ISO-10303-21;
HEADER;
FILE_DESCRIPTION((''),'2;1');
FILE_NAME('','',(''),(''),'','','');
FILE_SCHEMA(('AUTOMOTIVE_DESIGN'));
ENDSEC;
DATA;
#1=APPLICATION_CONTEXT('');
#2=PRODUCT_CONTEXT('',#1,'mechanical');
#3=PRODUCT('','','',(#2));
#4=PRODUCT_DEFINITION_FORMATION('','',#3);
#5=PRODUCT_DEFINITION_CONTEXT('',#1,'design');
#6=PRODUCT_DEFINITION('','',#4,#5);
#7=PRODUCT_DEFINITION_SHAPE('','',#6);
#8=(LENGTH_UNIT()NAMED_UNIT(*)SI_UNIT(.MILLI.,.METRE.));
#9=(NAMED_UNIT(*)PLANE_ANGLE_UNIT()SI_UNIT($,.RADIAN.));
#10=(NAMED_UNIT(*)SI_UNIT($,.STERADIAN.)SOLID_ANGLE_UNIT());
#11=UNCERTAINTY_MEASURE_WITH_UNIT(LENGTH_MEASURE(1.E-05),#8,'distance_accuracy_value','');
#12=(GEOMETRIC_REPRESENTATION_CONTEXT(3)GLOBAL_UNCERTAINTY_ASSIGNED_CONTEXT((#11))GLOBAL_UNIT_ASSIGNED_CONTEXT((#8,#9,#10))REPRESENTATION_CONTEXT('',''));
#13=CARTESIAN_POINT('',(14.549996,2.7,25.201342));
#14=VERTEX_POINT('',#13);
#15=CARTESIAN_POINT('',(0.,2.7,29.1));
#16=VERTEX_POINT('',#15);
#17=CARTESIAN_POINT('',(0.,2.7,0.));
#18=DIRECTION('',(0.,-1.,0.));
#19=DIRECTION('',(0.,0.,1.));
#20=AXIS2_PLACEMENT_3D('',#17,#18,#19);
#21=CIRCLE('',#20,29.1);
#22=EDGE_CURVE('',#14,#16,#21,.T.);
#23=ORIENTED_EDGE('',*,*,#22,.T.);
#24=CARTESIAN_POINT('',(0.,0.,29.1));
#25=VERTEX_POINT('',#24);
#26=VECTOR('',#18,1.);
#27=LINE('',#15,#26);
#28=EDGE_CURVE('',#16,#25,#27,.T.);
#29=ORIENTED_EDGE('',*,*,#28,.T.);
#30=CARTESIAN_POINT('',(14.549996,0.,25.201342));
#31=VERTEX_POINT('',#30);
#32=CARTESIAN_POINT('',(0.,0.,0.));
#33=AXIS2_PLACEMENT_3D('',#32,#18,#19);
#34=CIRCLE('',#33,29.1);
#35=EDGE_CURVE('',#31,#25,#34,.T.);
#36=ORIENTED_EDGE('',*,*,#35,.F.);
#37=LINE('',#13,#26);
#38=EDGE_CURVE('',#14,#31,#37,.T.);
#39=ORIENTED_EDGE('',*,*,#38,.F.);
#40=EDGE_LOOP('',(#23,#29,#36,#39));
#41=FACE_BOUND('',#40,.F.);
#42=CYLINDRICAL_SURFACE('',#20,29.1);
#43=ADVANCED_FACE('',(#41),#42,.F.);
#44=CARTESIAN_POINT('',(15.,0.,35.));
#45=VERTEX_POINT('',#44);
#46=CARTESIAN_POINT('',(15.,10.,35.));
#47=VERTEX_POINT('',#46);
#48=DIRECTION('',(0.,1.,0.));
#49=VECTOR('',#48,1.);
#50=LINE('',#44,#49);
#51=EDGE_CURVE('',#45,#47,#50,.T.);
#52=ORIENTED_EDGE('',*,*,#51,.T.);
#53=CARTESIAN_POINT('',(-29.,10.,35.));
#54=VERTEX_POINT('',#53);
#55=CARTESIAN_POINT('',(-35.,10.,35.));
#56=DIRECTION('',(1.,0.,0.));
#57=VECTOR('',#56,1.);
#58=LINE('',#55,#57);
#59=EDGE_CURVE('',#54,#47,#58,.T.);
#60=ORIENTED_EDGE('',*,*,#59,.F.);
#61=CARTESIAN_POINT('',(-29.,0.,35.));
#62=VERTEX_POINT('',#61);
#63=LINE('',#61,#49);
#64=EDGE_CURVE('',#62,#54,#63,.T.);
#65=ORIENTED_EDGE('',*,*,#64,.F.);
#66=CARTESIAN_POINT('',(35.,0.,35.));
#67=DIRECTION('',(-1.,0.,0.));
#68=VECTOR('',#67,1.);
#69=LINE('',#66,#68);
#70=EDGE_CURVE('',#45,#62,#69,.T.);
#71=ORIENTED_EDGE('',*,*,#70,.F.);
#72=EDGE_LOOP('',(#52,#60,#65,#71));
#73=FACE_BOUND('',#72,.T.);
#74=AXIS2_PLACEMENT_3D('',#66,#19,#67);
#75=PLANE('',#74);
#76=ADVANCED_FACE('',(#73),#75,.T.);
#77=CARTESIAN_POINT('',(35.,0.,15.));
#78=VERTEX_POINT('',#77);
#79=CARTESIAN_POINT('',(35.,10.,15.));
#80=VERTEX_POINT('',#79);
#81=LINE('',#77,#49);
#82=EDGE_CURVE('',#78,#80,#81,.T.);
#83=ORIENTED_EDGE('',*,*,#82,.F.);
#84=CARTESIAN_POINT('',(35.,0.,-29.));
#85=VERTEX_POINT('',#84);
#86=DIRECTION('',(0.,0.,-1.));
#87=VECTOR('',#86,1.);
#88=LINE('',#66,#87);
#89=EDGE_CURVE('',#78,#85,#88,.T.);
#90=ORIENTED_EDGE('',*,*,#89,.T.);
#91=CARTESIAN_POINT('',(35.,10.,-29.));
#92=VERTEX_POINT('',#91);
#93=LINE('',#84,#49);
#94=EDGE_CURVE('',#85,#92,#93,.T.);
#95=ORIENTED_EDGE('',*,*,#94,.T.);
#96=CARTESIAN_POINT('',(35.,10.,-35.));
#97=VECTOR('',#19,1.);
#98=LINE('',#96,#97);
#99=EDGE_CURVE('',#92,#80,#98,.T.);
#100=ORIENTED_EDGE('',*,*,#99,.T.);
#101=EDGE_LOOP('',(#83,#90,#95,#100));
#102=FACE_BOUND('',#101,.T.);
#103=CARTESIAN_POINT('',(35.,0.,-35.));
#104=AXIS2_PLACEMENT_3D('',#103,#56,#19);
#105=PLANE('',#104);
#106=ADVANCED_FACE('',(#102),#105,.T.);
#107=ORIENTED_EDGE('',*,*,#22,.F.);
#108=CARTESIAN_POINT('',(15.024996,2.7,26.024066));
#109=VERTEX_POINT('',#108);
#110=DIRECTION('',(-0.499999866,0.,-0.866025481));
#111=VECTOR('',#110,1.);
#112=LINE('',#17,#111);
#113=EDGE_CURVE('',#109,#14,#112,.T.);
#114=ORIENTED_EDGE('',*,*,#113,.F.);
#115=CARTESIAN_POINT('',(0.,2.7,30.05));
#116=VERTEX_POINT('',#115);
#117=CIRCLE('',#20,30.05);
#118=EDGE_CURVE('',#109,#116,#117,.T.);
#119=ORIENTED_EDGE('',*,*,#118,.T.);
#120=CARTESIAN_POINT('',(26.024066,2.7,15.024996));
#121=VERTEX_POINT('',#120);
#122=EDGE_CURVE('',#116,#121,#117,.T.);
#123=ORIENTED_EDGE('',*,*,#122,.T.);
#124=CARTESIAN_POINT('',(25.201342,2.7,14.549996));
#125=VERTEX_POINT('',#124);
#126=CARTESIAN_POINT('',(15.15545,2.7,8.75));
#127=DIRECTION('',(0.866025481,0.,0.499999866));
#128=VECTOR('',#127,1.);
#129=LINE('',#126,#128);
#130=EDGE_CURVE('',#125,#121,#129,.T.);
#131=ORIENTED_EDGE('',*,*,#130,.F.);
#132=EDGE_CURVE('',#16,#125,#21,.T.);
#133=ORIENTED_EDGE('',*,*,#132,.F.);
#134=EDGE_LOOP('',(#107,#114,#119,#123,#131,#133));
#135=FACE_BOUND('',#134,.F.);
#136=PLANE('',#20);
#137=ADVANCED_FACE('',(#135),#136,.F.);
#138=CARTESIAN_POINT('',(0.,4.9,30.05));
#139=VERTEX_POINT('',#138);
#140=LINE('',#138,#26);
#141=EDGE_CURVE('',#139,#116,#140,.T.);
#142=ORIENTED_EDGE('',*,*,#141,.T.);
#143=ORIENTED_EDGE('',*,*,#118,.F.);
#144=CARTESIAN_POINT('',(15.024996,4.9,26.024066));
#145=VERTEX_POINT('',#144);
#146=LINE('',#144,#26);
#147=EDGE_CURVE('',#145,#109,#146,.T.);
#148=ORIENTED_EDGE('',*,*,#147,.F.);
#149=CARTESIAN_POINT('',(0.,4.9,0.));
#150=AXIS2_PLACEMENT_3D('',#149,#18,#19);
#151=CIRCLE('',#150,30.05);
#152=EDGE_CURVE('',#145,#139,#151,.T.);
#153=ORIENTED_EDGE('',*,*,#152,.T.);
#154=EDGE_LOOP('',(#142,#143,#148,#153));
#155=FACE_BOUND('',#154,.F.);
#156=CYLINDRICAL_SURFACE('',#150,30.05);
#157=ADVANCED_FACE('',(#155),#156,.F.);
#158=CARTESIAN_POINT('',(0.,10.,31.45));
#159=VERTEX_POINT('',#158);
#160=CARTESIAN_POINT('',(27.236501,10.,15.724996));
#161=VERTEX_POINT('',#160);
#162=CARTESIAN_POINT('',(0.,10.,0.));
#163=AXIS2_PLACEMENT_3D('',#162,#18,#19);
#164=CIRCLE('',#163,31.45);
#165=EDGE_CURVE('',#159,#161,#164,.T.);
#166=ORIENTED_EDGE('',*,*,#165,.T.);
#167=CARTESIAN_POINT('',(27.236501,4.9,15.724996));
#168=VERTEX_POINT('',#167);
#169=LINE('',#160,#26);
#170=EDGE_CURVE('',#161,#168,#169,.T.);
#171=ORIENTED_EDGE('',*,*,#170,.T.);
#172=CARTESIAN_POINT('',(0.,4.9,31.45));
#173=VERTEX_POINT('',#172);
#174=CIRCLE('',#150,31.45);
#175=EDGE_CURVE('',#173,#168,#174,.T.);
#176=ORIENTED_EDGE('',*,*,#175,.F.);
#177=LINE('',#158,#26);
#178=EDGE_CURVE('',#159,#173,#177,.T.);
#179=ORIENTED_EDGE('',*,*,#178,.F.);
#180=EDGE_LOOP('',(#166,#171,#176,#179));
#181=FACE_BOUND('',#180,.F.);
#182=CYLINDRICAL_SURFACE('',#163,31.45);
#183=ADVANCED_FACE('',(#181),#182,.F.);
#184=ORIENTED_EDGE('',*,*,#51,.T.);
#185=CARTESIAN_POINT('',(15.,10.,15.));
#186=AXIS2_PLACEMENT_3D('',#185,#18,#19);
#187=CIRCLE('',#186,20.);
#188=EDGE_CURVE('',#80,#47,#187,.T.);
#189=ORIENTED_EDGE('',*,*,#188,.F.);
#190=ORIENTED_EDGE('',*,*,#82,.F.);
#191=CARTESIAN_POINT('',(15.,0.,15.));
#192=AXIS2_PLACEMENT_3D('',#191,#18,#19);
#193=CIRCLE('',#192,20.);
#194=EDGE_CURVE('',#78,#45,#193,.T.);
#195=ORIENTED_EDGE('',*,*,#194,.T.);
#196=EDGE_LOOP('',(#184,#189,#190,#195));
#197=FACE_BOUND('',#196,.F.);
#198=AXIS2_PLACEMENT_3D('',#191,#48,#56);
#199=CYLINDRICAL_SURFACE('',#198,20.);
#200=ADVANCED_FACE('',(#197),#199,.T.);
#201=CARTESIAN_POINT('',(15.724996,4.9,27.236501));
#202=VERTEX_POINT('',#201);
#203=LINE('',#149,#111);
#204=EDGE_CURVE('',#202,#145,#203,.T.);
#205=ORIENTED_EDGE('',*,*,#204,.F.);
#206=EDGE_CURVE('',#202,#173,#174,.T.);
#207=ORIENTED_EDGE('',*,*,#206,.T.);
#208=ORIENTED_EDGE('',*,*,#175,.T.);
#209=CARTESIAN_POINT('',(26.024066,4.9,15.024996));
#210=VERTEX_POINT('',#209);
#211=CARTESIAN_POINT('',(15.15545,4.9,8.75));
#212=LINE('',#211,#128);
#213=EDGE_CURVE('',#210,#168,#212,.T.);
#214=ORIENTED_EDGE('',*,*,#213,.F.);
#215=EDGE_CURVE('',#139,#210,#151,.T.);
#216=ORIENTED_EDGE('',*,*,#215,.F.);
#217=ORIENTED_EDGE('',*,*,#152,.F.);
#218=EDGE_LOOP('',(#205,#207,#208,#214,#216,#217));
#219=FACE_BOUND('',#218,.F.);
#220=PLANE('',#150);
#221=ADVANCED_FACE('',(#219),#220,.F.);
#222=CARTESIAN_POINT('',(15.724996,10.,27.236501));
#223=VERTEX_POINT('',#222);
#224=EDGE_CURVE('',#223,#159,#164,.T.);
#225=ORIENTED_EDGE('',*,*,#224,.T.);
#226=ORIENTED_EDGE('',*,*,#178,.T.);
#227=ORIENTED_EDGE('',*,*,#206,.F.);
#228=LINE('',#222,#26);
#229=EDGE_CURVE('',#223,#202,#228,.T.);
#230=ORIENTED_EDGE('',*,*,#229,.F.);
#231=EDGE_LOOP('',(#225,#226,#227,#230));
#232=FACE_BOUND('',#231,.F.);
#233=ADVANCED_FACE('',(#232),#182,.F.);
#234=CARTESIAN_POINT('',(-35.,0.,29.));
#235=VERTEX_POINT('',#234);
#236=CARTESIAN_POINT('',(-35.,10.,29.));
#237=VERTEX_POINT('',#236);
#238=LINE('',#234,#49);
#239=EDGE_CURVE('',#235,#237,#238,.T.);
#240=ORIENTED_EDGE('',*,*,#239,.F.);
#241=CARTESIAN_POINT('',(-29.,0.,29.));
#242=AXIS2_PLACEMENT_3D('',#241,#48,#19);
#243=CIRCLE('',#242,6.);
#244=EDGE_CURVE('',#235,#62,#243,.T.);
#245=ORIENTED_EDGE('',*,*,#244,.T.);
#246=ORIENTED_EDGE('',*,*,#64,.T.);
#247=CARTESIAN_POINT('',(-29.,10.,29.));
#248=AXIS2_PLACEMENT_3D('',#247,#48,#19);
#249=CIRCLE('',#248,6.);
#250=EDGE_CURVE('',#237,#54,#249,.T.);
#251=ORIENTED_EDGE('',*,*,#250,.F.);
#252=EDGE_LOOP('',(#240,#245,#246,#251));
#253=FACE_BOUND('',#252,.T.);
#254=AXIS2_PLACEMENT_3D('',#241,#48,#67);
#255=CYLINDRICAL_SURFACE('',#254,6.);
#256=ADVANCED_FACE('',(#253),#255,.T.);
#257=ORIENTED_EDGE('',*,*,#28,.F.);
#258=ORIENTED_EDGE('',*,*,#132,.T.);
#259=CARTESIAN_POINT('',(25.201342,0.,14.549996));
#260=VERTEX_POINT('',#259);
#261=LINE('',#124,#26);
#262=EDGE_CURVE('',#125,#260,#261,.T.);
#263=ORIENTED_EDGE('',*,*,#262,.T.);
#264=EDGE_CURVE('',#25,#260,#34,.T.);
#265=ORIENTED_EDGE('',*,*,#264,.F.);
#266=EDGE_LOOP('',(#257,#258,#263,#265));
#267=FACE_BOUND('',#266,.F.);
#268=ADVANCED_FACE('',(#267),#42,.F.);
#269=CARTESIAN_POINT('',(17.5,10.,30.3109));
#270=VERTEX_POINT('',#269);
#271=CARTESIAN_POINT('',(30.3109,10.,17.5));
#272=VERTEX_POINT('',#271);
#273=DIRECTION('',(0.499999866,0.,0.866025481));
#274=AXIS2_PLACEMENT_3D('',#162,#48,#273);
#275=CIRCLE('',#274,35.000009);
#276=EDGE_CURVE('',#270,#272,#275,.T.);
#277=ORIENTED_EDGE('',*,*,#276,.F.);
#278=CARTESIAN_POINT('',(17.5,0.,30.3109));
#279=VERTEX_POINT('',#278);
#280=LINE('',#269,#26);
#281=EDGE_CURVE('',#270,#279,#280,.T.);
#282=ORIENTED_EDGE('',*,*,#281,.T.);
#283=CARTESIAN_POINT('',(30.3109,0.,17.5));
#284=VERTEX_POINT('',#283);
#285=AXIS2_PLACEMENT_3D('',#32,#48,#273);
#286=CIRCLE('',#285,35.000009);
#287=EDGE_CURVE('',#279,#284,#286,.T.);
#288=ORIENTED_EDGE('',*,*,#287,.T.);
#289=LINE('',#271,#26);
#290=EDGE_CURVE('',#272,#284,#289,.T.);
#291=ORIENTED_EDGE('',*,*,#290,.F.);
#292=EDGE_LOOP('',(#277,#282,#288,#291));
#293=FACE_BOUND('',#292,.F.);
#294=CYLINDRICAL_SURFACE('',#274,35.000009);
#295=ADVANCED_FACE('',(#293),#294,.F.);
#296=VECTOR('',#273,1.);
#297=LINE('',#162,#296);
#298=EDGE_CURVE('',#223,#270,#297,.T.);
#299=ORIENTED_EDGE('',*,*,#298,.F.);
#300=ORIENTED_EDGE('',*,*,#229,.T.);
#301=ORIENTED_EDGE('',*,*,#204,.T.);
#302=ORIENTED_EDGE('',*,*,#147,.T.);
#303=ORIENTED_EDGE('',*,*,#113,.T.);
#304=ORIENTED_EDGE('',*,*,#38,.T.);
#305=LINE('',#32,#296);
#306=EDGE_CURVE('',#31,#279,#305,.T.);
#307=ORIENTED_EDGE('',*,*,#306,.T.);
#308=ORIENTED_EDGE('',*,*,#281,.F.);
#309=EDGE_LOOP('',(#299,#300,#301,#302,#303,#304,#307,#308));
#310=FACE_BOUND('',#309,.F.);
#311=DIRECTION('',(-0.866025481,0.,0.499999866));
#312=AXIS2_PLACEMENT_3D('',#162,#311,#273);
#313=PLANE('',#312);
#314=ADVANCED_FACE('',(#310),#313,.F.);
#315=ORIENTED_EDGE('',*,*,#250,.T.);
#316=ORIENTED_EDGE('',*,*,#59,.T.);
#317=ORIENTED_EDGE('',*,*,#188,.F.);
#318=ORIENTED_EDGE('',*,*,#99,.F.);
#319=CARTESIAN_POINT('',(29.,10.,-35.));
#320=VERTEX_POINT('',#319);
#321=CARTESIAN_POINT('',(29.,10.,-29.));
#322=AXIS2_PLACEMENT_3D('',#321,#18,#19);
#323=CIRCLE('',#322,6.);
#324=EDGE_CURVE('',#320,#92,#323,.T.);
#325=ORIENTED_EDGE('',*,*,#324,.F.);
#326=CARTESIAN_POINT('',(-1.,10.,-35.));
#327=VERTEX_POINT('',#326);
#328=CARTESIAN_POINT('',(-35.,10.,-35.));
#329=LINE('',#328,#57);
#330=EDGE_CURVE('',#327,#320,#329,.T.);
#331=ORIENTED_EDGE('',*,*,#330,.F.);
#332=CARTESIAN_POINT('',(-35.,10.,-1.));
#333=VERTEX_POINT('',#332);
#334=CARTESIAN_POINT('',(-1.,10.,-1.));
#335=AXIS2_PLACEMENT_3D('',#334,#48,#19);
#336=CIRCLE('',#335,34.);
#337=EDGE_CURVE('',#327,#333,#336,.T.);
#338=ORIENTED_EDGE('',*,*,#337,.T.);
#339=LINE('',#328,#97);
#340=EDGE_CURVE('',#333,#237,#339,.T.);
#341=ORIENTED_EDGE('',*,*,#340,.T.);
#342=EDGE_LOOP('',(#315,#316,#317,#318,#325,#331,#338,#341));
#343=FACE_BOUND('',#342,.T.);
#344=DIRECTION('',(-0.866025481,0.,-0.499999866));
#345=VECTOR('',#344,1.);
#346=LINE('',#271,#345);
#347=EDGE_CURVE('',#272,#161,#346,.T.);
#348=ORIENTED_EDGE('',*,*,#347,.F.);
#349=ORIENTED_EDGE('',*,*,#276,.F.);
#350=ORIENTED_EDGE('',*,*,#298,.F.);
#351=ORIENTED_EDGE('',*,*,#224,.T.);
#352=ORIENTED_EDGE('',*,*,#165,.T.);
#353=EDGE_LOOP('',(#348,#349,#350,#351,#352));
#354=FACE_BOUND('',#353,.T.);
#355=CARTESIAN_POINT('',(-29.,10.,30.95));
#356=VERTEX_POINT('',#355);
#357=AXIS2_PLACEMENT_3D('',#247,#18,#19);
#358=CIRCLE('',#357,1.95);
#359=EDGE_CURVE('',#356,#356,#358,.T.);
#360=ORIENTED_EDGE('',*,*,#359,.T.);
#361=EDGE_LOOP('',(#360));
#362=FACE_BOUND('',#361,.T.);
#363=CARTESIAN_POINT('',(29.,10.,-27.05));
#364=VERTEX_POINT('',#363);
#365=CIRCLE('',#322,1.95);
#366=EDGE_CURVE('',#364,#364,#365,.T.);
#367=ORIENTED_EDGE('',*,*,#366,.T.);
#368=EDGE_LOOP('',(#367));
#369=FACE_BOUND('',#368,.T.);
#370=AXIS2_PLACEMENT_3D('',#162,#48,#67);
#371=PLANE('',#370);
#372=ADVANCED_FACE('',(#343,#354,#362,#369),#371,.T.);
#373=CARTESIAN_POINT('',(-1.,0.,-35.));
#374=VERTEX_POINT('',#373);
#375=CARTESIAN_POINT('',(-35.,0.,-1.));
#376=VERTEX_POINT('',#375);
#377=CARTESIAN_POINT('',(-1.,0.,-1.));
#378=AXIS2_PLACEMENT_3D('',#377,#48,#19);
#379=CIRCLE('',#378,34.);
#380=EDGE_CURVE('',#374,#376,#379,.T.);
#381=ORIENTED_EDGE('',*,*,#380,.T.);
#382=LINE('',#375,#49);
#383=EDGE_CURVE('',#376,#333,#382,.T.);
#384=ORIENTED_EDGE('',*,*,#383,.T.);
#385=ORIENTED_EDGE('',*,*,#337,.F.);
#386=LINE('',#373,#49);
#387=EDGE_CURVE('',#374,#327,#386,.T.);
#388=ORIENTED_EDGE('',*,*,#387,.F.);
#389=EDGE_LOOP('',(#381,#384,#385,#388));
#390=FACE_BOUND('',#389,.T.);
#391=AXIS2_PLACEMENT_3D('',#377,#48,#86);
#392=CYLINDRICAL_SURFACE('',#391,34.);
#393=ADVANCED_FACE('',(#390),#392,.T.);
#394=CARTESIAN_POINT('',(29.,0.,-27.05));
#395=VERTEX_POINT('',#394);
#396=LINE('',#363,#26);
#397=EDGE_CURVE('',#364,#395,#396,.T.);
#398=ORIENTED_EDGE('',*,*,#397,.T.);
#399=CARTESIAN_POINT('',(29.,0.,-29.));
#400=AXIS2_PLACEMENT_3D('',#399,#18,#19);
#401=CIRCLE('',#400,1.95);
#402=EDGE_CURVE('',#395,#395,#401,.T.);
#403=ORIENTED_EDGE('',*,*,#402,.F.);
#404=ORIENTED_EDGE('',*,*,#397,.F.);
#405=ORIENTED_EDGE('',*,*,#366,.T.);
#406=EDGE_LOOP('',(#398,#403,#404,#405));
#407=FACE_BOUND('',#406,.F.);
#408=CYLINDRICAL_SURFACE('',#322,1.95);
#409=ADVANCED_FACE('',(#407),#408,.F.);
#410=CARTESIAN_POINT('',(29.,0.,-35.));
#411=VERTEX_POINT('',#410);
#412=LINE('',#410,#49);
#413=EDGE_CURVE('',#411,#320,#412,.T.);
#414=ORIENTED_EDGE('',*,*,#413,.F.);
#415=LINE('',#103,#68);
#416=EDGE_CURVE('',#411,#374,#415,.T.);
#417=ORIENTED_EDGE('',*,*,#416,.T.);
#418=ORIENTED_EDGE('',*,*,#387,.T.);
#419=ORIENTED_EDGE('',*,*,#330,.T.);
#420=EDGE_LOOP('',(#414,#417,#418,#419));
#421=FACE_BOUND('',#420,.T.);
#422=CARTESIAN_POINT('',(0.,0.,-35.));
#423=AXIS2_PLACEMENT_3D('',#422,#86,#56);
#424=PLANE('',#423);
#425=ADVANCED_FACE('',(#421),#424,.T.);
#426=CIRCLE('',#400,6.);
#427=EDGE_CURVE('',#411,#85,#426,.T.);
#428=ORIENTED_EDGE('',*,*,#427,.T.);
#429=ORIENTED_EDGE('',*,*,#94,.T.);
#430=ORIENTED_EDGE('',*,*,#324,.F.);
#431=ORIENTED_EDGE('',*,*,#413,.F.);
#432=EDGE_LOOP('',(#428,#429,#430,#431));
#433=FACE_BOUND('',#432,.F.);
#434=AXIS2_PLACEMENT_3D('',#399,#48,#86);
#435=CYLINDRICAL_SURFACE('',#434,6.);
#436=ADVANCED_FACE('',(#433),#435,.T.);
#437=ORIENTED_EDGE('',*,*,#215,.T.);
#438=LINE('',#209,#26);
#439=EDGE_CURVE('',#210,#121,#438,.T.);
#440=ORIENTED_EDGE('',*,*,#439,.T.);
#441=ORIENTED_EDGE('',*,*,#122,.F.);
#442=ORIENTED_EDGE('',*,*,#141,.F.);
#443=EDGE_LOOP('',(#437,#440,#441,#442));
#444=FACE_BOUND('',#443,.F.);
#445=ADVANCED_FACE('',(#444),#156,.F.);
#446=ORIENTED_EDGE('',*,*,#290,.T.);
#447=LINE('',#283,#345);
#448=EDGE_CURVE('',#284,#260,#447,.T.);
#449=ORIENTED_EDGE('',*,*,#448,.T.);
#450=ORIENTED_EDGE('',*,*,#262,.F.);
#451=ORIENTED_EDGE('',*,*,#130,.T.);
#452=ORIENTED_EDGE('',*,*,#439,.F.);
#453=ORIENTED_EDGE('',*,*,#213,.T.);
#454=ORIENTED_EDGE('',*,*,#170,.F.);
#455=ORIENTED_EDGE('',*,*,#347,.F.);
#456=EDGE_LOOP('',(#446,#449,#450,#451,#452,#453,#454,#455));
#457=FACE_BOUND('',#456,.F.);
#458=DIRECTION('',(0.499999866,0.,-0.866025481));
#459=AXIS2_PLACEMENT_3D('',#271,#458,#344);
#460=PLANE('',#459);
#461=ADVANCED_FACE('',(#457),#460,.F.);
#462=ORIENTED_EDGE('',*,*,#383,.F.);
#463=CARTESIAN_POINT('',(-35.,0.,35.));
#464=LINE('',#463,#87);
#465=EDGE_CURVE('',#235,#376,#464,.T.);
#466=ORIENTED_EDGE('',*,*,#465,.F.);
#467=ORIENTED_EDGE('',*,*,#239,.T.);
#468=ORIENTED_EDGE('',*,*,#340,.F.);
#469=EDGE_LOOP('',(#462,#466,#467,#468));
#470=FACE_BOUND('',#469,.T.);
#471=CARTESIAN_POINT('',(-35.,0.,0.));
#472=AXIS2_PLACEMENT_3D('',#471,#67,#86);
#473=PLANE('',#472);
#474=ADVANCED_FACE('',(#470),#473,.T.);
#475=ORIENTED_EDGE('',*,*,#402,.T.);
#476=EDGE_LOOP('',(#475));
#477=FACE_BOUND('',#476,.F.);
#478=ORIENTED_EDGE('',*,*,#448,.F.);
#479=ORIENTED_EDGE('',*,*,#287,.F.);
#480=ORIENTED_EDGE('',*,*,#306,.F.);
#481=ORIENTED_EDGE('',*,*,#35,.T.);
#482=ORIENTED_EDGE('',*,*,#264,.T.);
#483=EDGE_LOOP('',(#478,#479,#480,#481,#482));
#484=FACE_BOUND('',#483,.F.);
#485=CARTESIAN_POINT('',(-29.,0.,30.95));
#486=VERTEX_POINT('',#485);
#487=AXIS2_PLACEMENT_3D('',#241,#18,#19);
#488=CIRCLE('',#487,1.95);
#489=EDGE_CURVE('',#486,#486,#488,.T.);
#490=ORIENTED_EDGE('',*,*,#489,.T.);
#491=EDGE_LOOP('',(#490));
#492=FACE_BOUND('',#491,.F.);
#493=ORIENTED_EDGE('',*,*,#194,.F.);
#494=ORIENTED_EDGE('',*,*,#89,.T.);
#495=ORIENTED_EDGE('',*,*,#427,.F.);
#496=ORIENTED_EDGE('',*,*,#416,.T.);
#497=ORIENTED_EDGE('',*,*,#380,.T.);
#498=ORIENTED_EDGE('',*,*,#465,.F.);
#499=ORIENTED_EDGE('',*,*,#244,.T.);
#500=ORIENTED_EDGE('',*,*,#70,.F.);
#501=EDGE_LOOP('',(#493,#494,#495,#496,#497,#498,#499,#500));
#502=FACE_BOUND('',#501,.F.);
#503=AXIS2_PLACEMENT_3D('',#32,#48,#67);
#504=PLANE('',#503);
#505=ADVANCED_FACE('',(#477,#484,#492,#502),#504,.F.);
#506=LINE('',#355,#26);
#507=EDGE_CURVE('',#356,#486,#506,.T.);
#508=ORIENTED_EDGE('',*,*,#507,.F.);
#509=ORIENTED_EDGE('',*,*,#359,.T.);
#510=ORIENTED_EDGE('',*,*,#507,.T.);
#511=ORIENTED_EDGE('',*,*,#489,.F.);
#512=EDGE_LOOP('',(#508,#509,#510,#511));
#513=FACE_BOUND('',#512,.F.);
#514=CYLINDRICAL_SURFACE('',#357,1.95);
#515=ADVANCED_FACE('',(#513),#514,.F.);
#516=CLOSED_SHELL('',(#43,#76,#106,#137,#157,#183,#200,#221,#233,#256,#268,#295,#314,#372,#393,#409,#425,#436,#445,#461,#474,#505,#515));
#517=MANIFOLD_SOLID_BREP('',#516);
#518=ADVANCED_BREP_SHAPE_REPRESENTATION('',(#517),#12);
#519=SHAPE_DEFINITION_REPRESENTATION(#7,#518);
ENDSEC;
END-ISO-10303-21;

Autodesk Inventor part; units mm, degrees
ref_plane "YZ Plane" through (0, 0, 0) normal (1, 0, 0) x (0, 1, 0)
ref_plane "XZ Plane" through (0, 0, 0) normal (0, 1, 0) x (-1, 0, 0)
ref_plane "XY Plane" through (0, 0, 0) normal (0, 0, 1) x (1, 0, 0)
sketch "Náčrt1" plane through (0, 0, 0) normal (0, 1, 0) x (-1, 0, 0)
  line L0 (0, -49) -> (0, 49) projected
  line L1 (35, -35) -> (-35, -35)
  line L2 (-35, -35) -> (-35, 35)
  line L3 (-35, 35) -> (35, 35)
  line L4 (35, 35) -> (35, -35)
  line L5 (-49, 0) -> (49, 0) projected
  dimension "d9" = 70
  dimension "d10" = 70
extrude "Vysunutí1" add sketch "Náčrt1" along normal blind 10
fillet "Zaoblení1" radius 6 2 edges at (35, 5, -35) (-35, 5, 35)
fillet "Zaoblení2" radius 34 1 edges at (-35, 5, -35)
sketch "Náčrt2" plane through (0, 10, 0) normal (0, 1, 0) x (1, 0, 0)
  line L0 (0, 49) -> (0, -49) projected
  line L1 (49, 0) -> (-49, 0) projected
  point P0 (0, 0)
  point P1 (0, 0)
hole "Díra1" at (0, 10, 0) direction (0, -1, 0) diameter 60.1 depth 7.3 counterbore diameter 62.9 counterbore depth 5.1
sketch "Náčrt3" plane through (0, 2.7, 0) normal (0, 1, 0) x (1, 0, 0)
  line L0 (0, 49) -> (0, -49) projected
  line L1 (49, 0) -> (-49, 0) projected
  point P0 (0, 0)
  point P1 (0, 0)
hole "Díra2" at (0, 2.7, 0) direction (0, -1, 0) diameter 58.2 end through all
sketch "Náčrt4" plane through (0, 10, 0) normal (0, 1, 0) x (1, 0, 0)
  arc A0 (-35, -29) -> (-29, -35) centre (-29, -29) ccw projected
  arc A1 (35, 29) -> (29, 35) centre (29, 29) ccw projected
  point P0 (0, 0)
hole "Díra3" at (-29, 10, 29) at (29, 10, -29) direction (0, -1, 0) diameter 3.9 end through all
sketch "Náčrt5" plane through (0, 10, 0) normal (0, 1, 0) x (1, 0, 0)
  arc A0 (17.5, -30.3109) -> (30.3109, -17.5) centre (0, 0) ccw
  line L0 (0, 49) -> (0, -49) projected
  line L1 (49, 0) -> (-49, 0) projected
  line L2 (0, 0) -> (17.5, -30.3109)
  line L3 (30.3109, -17.5) -> (0, 0)
  dimension "d35" = 35
  dimension "d36" = 30
  dimension "d37" = 30
extrude "Vysunutí2" cut sketch "Náčrt5" against normal up to surface (10 mm away)
fillet "Zaoblení4" radius 20 1 edges at (35, 5, 35)
properties part number "4.L - GM - 01.03" material "LCP plast"
